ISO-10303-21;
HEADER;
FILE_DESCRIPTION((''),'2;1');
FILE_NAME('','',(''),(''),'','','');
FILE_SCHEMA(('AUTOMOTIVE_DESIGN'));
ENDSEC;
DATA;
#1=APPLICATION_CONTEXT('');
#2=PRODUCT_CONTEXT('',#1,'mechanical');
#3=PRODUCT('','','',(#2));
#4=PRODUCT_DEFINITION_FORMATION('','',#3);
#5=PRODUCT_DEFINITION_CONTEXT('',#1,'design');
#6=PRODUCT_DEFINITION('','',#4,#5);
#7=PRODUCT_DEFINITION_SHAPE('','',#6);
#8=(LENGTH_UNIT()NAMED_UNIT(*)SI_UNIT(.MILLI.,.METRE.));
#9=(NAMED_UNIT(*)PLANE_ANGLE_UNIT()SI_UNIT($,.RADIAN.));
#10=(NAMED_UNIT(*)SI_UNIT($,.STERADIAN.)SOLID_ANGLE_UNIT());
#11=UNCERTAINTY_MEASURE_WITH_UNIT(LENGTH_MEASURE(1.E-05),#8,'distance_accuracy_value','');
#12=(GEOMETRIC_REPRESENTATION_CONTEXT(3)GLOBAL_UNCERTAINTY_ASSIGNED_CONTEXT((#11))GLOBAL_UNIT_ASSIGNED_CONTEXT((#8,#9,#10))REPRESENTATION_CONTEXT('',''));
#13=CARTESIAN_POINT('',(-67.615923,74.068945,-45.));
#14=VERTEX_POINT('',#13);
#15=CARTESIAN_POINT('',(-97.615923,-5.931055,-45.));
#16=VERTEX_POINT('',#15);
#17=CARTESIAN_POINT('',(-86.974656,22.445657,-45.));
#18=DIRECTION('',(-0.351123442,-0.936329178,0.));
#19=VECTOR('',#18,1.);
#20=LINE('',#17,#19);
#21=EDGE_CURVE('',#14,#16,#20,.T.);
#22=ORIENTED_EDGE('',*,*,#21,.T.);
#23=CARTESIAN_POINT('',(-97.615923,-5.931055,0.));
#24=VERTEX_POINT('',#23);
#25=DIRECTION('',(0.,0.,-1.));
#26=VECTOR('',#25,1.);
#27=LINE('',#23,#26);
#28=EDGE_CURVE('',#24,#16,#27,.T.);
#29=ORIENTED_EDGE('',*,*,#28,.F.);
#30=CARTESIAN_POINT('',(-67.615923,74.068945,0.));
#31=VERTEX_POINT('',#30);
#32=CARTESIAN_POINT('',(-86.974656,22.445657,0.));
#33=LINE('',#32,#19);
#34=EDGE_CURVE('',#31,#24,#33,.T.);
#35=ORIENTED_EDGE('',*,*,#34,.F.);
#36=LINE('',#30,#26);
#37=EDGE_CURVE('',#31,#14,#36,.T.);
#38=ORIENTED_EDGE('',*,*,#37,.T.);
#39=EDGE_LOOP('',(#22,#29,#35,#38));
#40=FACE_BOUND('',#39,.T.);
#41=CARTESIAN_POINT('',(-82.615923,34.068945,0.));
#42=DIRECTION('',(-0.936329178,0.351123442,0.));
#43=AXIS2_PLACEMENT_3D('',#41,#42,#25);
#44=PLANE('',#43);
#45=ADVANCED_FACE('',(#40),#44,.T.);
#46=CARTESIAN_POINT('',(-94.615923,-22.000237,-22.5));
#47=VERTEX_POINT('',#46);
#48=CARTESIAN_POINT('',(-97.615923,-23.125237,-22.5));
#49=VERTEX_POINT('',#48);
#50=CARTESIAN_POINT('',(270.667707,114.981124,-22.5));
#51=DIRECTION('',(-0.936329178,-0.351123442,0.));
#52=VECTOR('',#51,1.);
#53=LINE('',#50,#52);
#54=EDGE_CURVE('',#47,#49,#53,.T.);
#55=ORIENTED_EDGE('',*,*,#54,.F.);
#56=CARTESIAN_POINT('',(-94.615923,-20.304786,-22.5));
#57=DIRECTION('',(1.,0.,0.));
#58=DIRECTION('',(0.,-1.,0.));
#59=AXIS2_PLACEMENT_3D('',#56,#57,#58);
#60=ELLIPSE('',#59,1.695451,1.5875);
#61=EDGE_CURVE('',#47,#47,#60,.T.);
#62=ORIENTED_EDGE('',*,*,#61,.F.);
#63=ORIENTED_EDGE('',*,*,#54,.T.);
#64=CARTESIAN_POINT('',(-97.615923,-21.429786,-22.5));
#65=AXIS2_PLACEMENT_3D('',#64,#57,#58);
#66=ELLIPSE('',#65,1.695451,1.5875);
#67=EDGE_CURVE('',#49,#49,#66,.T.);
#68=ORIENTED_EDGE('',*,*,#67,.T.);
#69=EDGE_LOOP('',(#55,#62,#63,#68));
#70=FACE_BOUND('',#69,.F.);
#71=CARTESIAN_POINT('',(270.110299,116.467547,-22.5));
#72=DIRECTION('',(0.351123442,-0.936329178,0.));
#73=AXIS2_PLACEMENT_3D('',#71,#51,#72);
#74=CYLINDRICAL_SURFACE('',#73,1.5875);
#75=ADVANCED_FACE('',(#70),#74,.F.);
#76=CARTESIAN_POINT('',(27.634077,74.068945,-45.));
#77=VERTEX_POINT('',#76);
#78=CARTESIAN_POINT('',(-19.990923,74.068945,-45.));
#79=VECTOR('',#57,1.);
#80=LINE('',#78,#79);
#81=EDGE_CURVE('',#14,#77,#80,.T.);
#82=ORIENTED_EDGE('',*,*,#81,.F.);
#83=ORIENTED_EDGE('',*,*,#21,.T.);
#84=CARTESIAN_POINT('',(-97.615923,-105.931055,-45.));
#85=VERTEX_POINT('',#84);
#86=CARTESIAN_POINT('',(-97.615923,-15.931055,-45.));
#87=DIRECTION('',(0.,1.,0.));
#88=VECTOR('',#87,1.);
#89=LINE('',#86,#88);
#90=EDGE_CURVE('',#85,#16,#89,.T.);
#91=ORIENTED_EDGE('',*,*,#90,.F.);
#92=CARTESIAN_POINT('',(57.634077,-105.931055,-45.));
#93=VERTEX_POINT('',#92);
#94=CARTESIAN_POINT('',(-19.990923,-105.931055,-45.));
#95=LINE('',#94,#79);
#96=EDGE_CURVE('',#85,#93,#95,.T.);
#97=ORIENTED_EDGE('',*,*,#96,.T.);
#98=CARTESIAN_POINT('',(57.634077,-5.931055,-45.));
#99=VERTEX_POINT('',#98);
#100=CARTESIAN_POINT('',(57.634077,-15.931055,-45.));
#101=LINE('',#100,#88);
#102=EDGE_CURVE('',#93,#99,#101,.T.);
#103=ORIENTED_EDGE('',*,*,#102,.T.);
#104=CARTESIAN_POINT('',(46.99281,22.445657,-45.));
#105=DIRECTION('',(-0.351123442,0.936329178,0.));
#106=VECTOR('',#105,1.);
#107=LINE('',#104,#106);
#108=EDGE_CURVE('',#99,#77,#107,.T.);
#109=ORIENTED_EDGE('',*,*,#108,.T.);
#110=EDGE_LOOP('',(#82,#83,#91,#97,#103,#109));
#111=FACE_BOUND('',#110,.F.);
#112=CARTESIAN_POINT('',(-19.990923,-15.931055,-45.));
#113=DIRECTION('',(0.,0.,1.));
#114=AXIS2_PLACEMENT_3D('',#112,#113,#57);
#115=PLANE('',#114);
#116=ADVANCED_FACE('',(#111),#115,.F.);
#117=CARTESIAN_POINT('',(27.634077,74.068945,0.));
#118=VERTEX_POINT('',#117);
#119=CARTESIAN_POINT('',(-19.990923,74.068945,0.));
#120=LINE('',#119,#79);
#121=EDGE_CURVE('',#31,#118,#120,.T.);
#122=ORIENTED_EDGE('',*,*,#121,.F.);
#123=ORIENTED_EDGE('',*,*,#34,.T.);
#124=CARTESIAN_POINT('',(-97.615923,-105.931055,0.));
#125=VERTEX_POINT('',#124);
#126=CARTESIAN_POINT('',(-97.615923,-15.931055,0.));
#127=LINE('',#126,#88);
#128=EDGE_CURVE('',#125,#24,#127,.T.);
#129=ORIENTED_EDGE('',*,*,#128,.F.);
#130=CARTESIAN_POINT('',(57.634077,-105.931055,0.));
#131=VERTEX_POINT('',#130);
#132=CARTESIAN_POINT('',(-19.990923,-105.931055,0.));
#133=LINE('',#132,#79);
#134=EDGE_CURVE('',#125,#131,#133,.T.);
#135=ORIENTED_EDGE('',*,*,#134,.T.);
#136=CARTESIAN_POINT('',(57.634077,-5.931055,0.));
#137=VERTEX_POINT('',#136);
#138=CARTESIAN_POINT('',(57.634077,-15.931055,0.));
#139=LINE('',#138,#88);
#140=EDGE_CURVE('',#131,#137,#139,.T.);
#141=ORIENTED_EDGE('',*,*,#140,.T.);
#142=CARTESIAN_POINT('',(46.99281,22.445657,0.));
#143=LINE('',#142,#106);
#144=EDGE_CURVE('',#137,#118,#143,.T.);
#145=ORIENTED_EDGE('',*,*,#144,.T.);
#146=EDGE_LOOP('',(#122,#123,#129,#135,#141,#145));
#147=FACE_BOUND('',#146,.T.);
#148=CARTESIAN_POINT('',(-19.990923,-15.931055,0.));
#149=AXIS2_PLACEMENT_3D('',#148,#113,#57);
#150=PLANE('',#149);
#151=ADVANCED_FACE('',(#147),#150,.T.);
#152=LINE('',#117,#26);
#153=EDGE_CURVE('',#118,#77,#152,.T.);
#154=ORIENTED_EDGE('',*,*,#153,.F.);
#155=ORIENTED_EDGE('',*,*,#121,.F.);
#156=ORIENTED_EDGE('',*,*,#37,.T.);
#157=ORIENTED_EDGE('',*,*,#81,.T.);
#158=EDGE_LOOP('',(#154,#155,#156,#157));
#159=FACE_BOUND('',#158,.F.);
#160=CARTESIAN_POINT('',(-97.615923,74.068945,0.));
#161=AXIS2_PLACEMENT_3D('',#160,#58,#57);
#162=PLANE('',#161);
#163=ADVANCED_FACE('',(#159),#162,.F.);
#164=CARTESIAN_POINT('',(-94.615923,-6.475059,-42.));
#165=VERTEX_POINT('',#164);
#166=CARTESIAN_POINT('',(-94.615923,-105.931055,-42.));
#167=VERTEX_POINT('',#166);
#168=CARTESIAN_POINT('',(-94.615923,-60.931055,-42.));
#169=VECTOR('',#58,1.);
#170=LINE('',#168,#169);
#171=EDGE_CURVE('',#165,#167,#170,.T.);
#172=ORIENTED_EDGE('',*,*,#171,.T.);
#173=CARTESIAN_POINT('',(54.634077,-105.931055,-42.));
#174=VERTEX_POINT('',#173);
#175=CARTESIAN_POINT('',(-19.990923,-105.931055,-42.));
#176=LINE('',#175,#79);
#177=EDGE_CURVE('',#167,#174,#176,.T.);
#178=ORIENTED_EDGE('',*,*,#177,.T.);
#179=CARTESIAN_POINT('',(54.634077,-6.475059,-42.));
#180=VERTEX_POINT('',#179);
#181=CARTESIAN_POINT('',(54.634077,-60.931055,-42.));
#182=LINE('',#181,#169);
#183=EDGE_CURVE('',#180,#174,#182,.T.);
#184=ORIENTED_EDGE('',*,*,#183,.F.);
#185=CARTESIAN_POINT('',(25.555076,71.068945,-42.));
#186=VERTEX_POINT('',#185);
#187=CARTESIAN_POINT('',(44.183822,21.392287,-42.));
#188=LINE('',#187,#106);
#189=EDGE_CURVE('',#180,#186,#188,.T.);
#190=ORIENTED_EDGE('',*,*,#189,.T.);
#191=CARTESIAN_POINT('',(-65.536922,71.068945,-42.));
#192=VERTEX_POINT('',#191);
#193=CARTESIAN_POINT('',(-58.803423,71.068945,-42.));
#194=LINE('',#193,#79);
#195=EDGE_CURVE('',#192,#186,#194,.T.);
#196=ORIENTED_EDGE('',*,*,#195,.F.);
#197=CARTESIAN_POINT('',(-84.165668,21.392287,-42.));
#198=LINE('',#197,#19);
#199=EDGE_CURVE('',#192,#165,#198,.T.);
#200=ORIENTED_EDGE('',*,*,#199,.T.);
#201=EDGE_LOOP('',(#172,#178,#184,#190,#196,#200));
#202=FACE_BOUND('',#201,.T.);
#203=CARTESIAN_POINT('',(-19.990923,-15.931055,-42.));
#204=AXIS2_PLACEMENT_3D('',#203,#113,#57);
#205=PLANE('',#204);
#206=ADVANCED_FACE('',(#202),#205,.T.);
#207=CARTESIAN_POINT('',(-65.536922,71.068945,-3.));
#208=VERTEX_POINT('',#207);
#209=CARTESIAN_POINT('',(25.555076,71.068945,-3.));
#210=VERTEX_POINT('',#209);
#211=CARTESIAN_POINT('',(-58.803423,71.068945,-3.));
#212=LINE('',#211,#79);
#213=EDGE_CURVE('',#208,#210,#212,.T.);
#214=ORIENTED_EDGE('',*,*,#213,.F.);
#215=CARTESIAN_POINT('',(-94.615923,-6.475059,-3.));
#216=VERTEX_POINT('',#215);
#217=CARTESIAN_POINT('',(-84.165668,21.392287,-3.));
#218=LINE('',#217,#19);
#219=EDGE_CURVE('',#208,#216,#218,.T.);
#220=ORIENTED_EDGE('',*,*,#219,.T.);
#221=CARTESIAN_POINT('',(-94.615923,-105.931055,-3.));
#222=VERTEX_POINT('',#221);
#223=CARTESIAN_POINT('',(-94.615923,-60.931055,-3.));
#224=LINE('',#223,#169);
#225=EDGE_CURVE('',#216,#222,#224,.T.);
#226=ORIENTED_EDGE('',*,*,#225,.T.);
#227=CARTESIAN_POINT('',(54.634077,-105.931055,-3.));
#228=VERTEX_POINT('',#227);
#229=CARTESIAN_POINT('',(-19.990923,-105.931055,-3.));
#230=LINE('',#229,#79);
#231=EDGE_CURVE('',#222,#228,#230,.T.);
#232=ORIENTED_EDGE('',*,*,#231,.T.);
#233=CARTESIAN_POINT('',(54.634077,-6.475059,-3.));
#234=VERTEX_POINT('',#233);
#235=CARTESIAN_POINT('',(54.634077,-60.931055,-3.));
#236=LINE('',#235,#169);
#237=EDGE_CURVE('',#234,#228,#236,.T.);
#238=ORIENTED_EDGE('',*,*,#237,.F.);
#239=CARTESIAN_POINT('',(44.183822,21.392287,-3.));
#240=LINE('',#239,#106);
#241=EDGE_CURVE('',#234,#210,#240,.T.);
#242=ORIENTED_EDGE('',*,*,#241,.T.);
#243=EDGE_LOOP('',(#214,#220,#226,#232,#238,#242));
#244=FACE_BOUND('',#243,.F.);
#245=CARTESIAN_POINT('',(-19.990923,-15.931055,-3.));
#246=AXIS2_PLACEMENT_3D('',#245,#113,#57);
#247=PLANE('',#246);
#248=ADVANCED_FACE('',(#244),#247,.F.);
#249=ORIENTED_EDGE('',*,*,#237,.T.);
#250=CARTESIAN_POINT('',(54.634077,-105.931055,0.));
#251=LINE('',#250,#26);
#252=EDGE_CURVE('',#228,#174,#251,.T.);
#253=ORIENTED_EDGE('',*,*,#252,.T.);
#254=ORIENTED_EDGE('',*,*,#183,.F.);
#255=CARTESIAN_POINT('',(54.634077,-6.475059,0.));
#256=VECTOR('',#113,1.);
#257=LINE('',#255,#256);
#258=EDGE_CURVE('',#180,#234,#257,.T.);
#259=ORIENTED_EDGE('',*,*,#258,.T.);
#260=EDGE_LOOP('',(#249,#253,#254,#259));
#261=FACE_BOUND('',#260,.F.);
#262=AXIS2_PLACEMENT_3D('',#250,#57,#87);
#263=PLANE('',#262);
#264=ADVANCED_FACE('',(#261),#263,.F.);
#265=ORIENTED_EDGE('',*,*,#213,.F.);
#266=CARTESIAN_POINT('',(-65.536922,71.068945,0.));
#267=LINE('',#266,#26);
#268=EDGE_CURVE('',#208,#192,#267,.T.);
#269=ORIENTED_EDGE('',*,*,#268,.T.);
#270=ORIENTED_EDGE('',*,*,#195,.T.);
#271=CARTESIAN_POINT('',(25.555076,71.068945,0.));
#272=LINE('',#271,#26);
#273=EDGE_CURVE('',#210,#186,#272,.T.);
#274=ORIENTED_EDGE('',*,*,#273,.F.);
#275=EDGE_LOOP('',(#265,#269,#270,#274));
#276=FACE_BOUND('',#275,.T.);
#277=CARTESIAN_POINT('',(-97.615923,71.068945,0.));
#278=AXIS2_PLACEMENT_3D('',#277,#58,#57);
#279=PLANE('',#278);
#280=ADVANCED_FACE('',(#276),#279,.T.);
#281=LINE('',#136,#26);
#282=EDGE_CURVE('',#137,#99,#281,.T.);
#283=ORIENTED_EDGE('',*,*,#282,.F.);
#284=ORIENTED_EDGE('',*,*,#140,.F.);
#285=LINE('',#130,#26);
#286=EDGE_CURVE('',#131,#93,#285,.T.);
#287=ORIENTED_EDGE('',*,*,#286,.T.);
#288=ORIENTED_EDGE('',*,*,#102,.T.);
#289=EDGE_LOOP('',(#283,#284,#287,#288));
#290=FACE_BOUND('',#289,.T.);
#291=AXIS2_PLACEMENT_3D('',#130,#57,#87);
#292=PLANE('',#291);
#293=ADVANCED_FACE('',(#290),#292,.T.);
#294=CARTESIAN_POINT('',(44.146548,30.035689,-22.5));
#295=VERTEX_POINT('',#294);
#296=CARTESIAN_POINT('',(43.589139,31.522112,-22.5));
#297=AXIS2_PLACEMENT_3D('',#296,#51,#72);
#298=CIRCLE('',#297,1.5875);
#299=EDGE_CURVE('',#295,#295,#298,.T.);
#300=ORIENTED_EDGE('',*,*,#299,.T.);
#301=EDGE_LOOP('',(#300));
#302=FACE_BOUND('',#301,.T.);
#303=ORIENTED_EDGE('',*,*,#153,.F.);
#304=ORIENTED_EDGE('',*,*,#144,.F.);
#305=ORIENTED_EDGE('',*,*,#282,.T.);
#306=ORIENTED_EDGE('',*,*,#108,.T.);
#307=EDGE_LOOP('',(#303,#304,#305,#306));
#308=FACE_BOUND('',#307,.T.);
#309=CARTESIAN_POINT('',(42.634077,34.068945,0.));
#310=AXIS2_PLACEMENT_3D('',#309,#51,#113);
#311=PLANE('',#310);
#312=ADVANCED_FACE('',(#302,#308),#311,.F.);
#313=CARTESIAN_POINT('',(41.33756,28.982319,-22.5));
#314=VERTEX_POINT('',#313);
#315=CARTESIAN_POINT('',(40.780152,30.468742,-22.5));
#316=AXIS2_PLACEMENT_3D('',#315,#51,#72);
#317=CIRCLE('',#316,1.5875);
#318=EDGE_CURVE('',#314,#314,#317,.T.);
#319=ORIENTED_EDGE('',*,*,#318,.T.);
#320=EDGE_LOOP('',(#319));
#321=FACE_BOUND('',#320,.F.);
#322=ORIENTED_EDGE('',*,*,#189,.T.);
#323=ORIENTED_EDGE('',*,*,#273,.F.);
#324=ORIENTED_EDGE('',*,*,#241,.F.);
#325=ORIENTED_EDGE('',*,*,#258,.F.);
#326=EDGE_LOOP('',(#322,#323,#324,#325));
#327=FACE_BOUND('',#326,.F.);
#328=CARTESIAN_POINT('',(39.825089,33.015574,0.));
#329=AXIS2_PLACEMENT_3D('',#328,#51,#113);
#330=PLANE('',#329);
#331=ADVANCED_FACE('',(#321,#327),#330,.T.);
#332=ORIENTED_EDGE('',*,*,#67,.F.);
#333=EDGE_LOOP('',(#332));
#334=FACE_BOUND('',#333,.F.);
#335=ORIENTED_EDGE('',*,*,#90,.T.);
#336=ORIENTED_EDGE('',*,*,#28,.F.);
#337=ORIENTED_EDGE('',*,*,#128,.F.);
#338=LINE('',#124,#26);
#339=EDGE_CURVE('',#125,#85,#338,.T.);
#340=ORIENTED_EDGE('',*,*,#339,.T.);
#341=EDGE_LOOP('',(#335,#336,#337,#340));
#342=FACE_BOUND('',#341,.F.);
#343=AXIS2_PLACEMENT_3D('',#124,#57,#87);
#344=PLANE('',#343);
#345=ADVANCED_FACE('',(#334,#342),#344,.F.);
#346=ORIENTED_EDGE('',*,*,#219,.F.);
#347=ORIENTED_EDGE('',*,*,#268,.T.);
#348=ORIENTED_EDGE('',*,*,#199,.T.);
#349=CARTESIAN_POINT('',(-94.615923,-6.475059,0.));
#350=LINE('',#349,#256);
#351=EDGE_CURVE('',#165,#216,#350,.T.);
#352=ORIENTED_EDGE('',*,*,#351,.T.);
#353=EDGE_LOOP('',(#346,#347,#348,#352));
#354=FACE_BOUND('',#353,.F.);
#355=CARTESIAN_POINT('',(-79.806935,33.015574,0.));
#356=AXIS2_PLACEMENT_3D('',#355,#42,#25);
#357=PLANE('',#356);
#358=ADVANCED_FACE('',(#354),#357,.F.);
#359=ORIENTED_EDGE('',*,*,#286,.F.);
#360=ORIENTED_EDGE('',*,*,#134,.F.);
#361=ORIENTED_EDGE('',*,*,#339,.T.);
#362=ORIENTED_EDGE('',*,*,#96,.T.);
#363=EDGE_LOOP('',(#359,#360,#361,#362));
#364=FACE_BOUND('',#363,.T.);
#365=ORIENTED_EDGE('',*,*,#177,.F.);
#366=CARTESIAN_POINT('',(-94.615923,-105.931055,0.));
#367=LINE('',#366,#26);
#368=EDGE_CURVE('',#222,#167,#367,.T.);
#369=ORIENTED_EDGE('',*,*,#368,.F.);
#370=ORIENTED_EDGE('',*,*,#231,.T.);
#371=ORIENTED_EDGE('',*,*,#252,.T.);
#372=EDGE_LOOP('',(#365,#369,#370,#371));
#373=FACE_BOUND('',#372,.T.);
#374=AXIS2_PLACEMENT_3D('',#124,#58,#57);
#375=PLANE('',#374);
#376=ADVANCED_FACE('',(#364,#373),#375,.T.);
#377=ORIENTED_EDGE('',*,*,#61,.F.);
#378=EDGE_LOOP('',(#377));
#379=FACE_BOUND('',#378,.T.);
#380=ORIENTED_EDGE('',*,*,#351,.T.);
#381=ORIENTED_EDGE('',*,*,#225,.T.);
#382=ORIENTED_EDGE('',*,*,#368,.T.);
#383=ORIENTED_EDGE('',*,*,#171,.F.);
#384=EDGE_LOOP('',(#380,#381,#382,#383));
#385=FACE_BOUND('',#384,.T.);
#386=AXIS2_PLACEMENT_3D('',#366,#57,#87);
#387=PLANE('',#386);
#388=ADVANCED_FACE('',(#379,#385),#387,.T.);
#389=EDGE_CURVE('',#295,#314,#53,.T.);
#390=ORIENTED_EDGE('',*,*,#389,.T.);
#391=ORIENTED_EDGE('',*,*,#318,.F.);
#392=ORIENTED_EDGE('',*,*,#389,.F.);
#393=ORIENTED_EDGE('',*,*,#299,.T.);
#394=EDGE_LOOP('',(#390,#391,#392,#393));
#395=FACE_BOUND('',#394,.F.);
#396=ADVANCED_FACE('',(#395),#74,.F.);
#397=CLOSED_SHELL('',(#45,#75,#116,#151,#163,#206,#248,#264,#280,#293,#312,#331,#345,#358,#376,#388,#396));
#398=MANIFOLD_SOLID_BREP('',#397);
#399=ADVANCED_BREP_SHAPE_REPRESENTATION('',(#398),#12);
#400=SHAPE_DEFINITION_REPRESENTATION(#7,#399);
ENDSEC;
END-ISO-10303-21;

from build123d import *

# Parameters (mm, degrees)
F0_W     = 155.25
F0_H     = 180
F1_DEPTH = 45
F2_SIZE2 = 80
F2_SIZE  = 30
F3_SIZE2 = 30
F3_SIZE  = 80
F4_T     = -3
F6_D     = 3.175


with BuildPart() as f1:
    # F0 (on Top) → F1 (new body)
    with BuildSketch(Plane.XY):
        with Locations((-19.9909230247, -15.9310551924)):
            Rectangle(F0_W, F0_H)
    extrude(amount=-F1_DEPTH)

    # F2
    f2_edges = [f1.edges().sort_by_distance(p)[0] for p in [
        (-97.615923, 74.068945, -22.5),
    ]]
    f2_side = f1.faces().sort_by_distance((-19.990923, 74.068945, -22.5))[0]
    chamfer(f2_edges, length=F2_SIZE, length2=F2_SIZE2, reference=f2_side)

    # F3
    f3_edges = [f1.edges().sort_by_distance(p)[0] for p in [
        (57.634077, 74.068945, -22.5),
    ]]
    f3_side = f1.faces().sort_by_distance((57.634077, -15.931055, -22.5))[0]
    chamfer(f3_edges, length=F3_SIZE, length2=F3_SIZE2, reference=f3_side)

    # F4
    f4_openings = [f1.faces().sort_by_distance(p)[0] for p in [
        (-19.990923, -105.931055, -22.5),
    ]]
    offset(amount=F4_T, openings=f4_openings)

    # F6 (through all)
    with Locations(Plane(origin=(48.5785698877, 18.2169637079, 0), x_dir=(-0.3511234416, 0.9363291776, 0), z_dir=(0.9363291776, 0.3511234416, 0))):
        with Locations((14.2099045093, -22.5)):
            Hole(F6_D / 2)


solid = f1.part
